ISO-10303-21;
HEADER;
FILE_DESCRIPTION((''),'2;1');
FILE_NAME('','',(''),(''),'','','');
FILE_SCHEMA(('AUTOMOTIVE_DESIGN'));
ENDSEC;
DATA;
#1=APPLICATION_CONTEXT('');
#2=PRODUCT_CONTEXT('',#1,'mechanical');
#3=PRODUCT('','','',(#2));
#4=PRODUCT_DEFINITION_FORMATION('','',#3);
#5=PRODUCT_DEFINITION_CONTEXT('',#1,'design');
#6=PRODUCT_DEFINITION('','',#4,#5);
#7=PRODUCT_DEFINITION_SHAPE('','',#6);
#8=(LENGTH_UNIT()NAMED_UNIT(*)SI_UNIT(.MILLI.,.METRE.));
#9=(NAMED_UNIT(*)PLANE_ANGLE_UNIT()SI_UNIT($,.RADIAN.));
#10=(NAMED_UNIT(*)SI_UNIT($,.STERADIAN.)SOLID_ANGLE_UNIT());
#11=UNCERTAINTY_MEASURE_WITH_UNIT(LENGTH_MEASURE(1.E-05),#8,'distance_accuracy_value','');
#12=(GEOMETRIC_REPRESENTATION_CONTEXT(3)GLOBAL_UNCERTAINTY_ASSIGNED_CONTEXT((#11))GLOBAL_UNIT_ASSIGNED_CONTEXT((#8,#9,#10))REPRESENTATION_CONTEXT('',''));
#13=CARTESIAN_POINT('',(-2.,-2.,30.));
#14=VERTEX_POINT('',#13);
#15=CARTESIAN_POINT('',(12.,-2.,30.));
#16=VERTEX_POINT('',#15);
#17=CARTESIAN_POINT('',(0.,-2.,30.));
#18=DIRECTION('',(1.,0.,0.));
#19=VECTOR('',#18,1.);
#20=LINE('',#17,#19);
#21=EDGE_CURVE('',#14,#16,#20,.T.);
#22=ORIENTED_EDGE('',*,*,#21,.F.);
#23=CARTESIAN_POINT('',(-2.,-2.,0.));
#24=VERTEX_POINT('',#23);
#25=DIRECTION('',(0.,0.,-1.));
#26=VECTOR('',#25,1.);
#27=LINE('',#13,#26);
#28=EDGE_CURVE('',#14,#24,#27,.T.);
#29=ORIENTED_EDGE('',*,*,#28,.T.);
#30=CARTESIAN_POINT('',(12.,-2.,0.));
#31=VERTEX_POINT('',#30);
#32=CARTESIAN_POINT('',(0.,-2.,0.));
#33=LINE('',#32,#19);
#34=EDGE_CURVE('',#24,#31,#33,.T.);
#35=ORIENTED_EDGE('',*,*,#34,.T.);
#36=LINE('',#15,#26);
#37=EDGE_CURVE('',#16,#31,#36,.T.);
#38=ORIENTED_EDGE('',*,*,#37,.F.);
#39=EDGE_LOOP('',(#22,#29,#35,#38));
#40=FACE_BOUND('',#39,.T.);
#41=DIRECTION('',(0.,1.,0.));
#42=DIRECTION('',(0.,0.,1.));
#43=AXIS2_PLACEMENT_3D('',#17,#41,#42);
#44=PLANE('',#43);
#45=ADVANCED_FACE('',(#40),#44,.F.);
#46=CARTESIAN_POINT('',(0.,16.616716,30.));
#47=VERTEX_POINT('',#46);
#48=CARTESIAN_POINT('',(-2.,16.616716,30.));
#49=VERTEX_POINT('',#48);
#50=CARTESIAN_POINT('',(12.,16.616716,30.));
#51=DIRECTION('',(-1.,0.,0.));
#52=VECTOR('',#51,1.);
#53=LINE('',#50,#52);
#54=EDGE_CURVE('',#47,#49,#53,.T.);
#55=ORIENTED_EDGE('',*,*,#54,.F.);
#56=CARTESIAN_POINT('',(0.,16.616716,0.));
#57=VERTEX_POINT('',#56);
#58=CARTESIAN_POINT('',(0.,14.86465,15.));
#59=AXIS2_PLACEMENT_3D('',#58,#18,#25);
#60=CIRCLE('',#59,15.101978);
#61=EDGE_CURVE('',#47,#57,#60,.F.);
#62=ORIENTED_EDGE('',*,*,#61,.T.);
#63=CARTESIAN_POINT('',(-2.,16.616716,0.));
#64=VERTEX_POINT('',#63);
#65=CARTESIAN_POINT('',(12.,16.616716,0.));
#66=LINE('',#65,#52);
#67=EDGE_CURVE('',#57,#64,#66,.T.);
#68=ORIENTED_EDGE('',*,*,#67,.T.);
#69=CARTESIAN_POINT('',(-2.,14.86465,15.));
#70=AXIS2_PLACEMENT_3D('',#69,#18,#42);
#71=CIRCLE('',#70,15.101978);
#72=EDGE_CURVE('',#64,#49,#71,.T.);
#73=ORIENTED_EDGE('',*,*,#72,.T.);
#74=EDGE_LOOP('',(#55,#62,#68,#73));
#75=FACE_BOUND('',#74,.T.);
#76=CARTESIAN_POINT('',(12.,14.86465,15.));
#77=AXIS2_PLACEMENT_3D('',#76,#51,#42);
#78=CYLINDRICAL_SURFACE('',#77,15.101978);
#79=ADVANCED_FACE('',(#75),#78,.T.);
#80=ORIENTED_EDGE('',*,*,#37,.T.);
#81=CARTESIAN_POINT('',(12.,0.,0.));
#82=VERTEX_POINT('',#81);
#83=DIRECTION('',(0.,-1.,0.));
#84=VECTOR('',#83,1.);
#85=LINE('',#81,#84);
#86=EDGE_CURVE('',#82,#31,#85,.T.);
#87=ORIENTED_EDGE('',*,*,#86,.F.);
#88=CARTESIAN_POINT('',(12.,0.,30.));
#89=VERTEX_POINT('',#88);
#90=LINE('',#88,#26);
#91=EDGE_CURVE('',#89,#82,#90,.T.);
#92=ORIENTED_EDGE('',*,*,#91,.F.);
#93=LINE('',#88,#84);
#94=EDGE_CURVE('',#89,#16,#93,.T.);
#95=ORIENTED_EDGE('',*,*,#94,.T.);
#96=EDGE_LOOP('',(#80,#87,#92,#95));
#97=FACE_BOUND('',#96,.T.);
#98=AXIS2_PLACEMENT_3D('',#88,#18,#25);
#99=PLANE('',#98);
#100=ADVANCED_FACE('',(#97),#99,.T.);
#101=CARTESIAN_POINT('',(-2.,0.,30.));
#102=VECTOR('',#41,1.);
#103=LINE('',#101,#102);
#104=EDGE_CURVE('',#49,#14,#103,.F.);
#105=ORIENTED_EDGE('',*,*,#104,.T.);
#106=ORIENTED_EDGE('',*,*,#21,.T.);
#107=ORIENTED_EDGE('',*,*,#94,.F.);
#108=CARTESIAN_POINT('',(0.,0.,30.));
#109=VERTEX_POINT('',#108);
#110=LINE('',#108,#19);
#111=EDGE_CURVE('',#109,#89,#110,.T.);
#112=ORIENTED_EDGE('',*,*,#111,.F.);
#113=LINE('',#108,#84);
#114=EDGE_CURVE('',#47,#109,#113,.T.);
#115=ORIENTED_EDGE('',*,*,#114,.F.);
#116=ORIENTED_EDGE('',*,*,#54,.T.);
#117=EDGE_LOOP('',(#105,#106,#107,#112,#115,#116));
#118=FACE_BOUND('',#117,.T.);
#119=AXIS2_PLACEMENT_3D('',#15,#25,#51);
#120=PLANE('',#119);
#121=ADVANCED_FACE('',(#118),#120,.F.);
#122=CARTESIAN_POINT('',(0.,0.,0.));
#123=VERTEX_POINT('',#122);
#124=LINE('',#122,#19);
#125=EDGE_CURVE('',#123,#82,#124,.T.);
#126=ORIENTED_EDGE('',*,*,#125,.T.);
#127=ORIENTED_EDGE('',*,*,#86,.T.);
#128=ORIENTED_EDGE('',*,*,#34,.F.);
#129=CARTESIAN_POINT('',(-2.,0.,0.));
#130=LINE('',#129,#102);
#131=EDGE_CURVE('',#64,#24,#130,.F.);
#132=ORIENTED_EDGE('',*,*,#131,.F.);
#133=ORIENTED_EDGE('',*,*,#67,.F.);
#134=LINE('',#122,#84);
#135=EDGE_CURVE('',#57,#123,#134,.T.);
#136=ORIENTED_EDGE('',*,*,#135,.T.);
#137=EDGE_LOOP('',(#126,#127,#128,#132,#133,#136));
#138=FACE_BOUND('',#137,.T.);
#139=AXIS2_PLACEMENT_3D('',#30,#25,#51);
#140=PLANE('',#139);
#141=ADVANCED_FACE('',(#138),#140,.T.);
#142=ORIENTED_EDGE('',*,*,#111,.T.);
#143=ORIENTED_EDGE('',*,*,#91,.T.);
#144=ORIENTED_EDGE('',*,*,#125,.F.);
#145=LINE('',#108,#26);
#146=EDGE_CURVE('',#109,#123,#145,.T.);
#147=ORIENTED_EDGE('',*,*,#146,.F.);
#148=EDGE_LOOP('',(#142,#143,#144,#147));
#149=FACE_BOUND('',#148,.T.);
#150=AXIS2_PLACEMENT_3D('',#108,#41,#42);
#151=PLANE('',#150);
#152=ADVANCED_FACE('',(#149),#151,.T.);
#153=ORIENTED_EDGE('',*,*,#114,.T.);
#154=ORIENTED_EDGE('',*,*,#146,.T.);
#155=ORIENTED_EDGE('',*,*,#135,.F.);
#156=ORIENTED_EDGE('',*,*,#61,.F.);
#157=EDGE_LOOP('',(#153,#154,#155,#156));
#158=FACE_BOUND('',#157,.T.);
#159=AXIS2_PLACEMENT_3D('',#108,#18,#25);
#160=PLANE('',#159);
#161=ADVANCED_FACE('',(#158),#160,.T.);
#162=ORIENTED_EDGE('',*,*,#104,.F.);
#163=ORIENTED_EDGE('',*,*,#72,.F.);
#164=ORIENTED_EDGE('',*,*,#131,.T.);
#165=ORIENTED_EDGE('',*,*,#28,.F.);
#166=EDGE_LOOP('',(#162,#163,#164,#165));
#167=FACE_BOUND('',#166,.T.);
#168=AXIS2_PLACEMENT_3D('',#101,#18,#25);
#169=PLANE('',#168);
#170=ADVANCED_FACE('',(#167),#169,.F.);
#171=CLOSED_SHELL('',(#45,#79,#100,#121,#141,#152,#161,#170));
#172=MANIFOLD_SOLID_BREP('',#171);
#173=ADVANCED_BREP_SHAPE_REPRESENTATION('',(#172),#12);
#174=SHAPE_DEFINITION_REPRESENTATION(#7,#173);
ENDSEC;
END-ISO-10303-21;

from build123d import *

# Parameters (mm, degrees)
EXTRUDE_1_DEPTH     = 30
CUT_EXTRUDE_1_DEPTH = 45.676615807


with BuildPart() as part:
    # Эскиз1 → Вытянуть-Тонкостенный1 (new body)
    with BuildSketch(Plane.XY):
        Polygon((12, 0), (0, 0), (0, 30), (-2, 30), (-2, -2), (12, -2), align=None)
    extrude(amount=EXTRUDE_1_DEPTH)

    # Эскиз2 → Вытянуть1 (cut, through all)
    with BuildSketch(Plane.ZY.offset(2)):
        with BuildLine():
            Line((-0.098661396, 15.181132745), (-3.6788427, 15.181132745))
            Line((-3.6788427, 15.181132745), (-3.6788427, 31.57095784))
            Line((-3.6788427, 31.57095784), (33.600371965, 31.57095784))
            Line((33.600371965, 31.57095784), (33.600371965, 15.181132745))
            Line((33.600371965, 15.181132745), (30.098661396, 15.181132745))
            ThreePointArc((30.098661396, 15.181132745), (15, 29.966627674), (-0.098661396, 15.181132745))
        make_face()
    extrude(amount=-CUT_EXTRUDE_1_DEPTH, mode=Mode.SUBTRACT)


solid = part.part
